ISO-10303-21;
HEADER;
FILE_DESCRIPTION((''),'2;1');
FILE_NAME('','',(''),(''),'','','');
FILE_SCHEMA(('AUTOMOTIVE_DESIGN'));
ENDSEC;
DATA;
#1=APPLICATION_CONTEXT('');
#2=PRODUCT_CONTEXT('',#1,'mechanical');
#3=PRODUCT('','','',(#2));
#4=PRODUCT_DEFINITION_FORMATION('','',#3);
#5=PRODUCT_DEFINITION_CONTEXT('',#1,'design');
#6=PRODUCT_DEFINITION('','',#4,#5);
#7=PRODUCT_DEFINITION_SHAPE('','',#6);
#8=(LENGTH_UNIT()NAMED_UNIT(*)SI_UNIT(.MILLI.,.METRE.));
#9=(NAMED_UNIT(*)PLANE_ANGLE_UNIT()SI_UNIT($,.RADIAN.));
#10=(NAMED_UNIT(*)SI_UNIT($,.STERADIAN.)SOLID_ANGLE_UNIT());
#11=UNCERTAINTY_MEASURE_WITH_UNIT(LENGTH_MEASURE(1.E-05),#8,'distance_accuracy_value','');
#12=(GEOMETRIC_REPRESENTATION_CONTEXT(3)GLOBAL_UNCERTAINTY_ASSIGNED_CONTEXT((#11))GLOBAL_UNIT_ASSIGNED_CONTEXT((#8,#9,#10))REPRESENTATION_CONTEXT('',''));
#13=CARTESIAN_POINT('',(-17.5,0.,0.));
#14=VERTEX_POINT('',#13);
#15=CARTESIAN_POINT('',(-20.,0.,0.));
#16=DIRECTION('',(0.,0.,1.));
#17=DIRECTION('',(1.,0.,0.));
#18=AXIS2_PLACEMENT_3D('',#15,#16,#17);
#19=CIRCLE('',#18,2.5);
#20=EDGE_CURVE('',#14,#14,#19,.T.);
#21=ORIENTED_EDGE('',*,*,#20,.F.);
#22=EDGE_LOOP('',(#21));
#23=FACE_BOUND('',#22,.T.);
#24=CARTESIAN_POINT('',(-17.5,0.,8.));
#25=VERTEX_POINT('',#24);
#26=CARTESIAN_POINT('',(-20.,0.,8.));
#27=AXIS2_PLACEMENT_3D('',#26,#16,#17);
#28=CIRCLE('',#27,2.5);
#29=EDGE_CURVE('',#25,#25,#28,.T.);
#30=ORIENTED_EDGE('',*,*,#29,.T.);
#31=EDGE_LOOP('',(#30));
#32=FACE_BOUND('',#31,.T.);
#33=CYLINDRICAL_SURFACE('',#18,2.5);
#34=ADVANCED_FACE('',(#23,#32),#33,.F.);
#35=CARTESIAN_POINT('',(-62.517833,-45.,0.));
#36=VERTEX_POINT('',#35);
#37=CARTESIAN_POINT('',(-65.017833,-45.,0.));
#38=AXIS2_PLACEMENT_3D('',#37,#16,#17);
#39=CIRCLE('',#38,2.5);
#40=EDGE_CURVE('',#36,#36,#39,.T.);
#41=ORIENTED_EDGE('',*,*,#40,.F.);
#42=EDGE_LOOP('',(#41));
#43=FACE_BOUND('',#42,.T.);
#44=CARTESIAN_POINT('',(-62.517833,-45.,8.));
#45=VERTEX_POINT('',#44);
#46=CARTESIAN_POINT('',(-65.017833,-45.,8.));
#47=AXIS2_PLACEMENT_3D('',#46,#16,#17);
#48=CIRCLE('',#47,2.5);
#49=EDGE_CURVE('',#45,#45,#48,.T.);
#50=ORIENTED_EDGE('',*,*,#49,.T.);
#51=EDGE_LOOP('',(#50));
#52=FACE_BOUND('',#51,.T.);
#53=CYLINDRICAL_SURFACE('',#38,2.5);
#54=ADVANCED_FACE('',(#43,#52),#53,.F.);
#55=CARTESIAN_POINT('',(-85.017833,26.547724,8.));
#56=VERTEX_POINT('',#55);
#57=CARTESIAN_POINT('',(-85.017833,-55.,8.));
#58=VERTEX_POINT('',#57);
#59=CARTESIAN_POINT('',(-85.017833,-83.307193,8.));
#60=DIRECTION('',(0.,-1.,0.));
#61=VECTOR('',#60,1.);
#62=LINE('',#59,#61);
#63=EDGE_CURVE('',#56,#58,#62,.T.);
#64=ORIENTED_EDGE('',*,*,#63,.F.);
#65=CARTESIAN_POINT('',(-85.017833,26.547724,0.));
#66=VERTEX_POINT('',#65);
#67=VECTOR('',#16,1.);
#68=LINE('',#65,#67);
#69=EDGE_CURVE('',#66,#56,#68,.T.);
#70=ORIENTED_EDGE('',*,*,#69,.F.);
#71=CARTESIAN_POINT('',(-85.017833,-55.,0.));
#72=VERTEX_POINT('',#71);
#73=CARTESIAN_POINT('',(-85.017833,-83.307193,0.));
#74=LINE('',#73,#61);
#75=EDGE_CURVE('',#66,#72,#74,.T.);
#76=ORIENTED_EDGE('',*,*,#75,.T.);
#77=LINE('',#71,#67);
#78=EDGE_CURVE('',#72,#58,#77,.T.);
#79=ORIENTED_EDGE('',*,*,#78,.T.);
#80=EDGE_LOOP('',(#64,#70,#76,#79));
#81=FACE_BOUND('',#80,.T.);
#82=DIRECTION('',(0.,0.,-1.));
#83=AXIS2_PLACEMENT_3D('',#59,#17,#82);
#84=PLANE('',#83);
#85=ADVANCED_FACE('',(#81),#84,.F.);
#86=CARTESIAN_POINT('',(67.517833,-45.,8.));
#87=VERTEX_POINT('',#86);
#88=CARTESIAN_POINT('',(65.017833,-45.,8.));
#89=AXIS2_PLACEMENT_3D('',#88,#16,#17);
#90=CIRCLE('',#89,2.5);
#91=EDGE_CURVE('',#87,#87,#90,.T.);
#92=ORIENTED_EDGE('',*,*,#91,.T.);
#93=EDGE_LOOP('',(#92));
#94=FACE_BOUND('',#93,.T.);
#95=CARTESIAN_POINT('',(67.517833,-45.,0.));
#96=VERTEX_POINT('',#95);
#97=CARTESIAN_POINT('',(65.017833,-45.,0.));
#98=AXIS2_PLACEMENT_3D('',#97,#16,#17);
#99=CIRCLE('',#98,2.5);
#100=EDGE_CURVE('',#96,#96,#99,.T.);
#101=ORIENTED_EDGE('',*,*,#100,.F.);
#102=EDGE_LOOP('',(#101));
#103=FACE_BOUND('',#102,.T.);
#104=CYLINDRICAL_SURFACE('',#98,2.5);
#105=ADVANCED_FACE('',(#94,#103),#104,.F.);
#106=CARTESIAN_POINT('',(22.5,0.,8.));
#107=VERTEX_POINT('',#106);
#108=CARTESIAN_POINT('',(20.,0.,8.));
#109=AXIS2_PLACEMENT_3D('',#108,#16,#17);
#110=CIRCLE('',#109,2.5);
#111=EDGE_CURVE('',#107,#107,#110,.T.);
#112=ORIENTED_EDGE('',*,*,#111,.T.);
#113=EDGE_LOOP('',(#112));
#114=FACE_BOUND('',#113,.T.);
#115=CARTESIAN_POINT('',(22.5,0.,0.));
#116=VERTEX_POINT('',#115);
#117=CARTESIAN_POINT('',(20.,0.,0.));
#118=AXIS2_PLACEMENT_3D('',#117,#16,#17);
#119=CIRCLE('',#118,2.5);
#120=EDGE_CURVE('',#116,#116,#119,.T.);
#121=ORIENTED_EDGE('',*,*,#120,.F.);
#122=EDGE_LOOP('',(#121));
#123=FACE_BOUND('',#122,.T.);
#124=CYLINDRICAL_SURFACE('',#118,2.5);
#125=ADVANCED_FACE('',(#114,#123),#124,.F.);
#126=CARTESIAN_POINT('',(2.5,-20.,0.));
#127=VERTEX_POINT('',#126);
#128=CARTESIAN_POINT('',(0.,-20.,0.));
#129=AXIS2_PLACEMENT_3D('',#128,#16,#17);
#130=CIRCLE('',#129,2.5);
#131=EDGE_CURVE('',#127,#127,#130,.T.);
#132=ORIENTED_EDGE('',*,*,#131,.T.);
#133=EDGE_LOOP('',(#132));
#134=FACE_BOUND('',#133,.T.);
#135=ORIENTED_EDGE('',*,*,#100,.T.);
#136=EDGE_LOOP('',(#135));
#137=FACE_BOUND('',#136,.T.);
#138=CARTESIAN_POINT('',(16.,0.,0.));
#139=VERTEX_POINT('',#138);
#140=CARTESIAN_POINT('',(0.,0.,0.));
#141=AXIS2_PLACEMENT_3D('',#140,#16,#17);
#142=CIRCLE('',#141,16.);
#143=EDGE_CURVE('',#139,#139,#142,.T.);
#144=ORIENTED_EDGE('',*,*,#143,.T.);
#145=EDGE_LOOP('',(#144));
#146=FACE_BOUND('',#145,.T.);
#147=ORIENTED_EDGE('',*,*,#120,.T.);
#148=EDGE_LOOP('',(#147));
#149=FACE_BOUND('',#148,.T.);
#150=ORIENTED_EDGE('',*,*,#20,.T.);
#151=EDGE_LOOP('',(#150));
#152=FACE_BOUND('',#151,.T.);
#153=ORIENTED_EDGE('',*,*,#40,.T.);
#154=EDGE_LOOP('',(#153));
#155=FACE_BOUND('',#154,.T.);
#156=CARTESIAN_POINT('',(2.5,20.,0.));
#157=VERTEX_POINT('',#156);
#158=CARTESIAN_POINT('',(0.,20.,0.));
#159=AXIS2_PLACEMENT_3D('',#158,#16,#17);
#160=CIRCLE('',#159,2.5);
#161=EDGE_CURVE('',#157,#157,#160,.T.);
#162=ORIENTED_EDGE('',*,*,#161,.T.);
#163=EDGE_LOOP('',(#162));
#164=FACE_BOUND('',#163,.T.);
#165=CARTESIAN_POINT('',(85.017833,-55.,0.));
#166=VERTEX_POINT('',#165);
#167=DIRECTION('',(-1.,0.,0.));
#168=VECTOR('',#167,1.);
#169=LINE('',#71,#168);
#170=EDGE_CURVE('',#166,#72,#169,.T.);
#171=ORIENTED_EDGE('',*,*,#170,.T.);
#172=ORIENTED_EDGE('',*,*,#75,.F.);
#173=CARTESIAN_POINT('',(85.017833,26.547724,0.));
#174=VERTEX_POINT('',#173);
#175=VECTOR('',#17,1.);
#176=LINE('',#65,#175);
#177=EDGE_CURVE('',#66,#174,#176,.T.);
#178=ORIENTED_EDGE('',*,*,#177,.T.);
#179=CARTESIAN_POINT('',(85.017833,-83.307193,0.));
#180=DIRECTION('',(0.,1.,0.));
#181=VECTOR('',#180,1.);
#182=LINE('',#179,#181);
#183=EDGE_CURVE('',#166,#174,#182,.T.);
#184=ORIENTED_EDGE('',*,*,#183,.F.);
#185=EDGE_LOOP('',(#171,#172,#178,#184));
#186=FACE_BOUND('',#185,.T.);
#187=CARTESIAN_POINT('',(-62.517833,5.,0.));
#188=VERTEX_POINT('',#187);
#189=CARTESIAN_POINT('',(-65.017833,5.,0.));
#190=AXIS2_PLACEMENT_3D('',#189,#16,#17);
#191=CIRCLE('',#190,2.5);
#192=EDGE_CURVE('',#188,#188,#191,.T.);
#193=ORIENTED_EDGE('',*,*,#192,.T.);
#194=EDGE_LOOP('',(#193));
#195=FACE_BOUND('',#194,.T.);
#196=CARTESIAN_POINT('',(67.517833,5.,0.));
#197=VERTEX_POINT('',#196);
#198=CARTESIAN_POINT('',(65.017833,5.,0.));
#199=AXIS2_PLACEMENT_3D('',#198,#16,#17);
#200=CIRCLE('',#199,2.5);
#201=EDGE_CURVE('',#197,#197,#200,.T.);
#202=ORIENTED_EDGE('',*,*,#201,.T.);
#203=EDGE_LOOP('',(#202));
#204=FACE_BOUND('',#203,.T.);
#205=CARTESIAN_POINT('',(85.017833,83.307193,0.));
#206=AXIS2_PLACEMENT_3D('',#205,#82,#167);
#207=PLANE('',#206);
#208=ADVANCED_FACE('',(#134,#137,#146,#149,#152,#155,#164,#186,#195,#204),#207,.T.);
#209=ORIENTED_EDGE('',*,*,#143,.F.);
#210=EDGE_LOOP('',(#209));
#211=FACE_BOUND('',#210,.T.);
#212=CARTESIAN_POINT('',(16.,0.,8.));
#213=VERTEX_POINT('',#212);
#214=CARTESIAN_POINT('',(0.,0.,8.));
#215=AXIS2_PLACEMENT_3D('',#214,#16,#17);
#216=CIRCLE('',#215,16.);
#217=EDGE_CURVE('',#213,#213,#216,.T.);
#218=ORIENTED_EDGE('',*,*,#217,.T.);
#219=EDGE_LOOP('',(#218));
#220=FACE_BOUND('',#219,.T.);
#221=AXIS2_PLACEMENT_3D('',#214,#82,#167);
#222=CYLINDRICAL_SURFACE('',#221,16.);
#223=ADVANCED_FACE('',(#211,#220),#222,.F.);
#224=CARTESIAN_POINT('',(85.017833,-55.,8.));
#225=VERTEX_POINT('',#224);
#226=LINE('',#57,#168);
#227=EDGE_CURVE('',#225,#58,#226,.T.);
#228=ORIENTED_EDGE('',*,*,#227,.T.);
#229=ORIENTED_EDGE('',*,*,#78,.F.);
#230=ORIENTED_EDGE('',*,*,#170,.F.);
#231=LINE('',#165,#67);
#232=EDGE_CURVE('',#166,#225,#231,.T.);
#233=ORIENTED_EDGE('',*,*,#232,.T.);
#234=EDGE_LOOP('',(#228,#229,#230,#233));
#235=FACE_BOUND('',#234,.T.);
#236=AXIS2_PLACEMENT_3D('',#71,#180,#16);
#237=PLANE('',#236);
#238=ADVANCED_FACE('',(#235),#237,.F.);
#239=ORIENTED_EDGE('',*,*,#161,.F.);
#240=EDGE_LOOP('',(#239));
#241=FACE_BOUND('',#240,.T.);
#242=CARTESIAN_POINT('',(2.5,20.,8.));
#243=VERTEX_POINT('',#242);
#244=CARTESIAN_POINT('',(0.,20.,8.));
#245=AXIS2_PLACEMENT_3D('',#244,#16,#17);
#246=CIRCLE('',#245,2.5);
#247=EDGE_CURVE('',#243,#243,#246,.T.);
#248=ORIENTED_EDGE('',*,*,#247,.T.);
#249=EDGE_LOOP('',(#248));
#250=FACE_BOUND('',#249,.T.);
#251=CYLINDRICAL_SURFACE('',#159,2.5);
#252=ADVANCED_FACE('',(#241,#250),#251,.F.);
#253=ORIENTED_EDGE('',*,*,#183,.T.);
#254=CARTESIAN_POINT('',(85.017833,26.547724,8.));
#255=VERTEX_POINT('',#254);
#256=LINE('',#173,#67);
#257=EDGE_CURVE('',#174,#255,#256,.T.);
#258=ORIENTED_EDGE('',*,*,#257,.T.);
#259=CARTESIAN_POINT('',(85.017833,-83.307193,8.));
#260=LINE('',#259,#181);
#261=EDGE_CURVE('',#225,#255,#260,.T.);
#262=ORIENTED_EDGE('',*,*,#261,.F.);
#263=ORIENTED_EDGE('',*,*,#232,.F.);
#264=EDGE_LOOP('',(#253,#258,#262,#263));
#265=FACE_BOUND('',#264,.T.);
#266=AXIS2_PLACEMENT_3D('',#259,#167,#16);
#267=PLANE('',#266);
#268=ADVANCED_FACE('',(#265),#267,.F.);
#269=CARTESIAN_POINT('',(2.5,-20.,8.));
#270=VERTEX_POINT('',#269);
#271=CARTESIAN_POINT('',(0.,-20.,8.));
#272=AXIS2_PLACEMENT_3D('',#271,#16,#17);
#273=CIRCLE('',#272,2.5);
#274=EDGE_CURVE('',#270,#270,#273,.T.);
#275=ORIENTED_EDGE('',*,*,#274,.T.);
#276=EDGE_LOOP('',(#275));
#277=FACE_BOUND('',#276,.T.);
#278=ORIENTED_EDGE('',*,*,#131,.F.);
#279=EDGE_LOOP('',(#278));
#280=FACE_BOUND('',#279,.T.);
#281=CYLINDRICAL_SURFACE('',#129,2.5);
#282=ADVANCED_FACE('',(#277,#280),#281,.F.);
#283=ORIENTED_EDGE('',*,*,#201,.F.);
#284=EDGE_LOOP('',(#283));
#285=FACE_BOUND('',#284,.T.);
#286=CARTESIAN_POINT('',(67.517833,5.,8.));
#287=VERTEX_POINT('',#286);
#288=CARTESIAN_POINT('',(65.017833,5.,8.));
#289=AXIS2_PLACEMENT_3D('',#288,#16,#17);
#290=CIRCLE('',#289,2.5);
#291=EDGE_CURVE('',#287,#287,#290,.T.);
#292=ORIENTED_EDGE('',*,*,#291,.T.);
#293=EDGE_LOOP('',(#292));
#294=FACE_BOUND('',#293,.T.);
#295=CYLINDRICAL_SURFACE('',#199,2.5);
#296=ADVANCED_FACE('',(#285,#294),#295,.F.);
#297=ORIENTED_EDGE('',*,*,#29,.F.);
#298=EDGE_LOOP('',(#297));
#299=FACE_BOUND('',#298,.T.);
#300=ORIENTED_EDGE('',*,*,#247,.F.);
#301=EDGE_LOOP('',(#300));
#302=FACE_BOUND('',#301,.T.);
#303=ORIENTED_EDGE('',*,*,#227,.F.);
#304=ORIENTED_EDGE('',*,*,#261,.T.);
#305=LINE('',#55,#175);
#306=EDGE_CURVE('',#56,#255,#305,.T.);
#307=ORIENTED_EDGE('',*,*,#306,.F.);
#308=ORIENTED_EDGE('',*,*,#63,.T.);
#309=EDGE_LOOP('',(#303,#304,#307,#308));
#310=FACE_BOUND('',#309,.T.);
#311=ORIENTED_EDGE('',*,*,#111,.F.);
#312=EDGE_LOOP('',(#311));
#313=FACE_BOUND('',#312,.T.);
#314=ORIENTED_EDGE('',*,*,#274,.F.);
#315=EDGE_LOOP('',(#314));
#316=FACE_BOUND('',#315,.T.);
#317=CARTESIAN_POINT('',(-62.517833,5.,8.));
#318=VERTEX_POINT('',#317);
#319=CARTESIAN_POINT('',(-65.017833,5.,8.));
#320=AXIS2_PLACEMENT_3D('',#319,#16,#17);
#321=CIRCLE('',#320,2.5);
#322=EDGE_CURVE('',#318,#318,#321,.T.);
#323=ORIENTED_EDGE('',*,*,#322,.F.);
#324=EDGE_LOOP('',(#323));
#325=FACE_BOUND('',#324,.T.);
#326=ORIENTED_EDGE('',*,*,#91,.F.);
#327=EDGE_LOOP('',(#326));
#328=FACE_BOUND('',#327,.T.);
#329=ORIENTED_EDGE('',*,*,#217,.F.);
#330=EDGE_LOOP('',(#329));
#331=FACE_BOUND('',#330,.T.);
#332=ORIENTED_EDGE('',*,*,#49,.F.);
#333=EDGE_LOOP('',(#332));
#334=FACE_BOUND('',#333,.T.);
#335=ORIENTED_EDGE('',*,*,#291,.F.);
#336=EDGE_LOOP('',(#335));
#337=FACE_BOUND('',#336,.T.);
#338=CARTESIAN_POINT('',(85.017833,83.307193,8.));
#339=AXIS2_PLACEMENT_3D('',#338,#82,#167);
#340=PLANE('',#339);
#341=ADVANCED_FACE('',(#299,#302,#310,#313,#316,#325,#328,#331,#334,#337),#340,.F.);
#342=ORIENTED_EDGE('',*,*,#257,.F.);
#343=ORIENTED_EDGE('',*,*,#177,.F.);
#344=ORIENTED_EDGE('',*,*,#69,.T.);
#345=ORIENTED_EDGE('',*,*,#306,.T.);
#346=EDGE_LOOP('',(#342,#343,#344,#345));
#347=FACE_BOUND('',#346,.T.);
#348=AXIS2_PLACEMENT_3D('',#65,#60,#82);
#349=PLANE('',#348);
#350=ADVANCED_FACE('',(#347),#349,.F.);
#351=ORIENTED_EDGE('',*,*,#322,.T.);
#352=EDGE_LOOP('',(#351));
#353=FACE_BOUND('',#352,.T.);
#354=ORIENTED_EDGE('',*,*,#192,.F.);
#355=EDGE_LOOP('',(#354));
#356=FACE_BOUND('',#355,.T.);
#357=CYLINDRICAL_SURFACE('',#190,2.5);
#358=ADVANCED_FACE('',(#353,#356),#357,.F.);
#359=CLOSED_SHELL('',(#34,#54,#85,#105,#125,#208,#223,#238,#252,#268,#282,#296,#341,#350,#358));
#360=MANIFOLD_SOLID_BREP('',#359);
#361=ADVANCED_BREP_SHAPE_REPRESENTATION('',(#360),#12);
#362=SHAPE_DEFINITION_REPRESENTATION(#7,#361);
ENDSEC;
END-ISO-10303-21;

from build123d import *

# Parameters (mm, degrees)
SKETCH1_W           = 170.035665534
SKETCH1_H           = 166.614386528
SKETCH1_R           = 16
BOSS_EXTRUDE1_DEPTH = 8
SKETCH2_R           = 2.5
SKETCH2_W           = 170.035665534
SKETCH2_H           = 56.759468899
SKETCH2_H_2         = 28.307193264
CUT_EXTRUDE1_DEPTH  = 120.298450693


with BuildPart() as part:
    # Sketch1 → Boss-Extrude1 (new body)
    with BuildSketch(Plane.XY):
        Rectangle(SKETCH1_W, SKETCH1_H)
        Circle(SKETCH1_R, mode=Mode.SUBTRACT)
    extrude(amount=BOSS_EXTRUDE1_DEPTH)

    # Sketch2 → Cut-Extrude1 (cut, through all)
    with BuildSketch(Plane.XY.offset(8)):
        with Locations((-65.017832767, 5)):
            Circle(SKETCH2_R)
        with Locations((-65.017832767, -45)):
            Circle(SKETCH2_R)
        with Locations((65.017832767, 5)):
            Circle(SKETCH2_R)
        with Locations((65.017832767, -45)):
            Circle(SKETCH2_R)
        with Locations((0, 20)):
            Circle(SKETCH2_R)
        with Locations((-20, 0)):
            Circle(SKETCH2_R)
        with Locations((0, -20)):
            Circle(SKETCH2_R)
        with Locations((20, 0)):
            Circle(SKETCH2_R)
        with Locations((0, 54.927458814)):
            Rectangle(SKETCH2_W, SKETCH2_H)
        with Locations((0, -69.153596632)):
            Rectangle(SKETCH2_W, SKETCH2_H_2)
    extrude(amount=-CUT_EXTRUDE1_DEPTH, mode=Mode.SUBTRACT)


solid = part.part
